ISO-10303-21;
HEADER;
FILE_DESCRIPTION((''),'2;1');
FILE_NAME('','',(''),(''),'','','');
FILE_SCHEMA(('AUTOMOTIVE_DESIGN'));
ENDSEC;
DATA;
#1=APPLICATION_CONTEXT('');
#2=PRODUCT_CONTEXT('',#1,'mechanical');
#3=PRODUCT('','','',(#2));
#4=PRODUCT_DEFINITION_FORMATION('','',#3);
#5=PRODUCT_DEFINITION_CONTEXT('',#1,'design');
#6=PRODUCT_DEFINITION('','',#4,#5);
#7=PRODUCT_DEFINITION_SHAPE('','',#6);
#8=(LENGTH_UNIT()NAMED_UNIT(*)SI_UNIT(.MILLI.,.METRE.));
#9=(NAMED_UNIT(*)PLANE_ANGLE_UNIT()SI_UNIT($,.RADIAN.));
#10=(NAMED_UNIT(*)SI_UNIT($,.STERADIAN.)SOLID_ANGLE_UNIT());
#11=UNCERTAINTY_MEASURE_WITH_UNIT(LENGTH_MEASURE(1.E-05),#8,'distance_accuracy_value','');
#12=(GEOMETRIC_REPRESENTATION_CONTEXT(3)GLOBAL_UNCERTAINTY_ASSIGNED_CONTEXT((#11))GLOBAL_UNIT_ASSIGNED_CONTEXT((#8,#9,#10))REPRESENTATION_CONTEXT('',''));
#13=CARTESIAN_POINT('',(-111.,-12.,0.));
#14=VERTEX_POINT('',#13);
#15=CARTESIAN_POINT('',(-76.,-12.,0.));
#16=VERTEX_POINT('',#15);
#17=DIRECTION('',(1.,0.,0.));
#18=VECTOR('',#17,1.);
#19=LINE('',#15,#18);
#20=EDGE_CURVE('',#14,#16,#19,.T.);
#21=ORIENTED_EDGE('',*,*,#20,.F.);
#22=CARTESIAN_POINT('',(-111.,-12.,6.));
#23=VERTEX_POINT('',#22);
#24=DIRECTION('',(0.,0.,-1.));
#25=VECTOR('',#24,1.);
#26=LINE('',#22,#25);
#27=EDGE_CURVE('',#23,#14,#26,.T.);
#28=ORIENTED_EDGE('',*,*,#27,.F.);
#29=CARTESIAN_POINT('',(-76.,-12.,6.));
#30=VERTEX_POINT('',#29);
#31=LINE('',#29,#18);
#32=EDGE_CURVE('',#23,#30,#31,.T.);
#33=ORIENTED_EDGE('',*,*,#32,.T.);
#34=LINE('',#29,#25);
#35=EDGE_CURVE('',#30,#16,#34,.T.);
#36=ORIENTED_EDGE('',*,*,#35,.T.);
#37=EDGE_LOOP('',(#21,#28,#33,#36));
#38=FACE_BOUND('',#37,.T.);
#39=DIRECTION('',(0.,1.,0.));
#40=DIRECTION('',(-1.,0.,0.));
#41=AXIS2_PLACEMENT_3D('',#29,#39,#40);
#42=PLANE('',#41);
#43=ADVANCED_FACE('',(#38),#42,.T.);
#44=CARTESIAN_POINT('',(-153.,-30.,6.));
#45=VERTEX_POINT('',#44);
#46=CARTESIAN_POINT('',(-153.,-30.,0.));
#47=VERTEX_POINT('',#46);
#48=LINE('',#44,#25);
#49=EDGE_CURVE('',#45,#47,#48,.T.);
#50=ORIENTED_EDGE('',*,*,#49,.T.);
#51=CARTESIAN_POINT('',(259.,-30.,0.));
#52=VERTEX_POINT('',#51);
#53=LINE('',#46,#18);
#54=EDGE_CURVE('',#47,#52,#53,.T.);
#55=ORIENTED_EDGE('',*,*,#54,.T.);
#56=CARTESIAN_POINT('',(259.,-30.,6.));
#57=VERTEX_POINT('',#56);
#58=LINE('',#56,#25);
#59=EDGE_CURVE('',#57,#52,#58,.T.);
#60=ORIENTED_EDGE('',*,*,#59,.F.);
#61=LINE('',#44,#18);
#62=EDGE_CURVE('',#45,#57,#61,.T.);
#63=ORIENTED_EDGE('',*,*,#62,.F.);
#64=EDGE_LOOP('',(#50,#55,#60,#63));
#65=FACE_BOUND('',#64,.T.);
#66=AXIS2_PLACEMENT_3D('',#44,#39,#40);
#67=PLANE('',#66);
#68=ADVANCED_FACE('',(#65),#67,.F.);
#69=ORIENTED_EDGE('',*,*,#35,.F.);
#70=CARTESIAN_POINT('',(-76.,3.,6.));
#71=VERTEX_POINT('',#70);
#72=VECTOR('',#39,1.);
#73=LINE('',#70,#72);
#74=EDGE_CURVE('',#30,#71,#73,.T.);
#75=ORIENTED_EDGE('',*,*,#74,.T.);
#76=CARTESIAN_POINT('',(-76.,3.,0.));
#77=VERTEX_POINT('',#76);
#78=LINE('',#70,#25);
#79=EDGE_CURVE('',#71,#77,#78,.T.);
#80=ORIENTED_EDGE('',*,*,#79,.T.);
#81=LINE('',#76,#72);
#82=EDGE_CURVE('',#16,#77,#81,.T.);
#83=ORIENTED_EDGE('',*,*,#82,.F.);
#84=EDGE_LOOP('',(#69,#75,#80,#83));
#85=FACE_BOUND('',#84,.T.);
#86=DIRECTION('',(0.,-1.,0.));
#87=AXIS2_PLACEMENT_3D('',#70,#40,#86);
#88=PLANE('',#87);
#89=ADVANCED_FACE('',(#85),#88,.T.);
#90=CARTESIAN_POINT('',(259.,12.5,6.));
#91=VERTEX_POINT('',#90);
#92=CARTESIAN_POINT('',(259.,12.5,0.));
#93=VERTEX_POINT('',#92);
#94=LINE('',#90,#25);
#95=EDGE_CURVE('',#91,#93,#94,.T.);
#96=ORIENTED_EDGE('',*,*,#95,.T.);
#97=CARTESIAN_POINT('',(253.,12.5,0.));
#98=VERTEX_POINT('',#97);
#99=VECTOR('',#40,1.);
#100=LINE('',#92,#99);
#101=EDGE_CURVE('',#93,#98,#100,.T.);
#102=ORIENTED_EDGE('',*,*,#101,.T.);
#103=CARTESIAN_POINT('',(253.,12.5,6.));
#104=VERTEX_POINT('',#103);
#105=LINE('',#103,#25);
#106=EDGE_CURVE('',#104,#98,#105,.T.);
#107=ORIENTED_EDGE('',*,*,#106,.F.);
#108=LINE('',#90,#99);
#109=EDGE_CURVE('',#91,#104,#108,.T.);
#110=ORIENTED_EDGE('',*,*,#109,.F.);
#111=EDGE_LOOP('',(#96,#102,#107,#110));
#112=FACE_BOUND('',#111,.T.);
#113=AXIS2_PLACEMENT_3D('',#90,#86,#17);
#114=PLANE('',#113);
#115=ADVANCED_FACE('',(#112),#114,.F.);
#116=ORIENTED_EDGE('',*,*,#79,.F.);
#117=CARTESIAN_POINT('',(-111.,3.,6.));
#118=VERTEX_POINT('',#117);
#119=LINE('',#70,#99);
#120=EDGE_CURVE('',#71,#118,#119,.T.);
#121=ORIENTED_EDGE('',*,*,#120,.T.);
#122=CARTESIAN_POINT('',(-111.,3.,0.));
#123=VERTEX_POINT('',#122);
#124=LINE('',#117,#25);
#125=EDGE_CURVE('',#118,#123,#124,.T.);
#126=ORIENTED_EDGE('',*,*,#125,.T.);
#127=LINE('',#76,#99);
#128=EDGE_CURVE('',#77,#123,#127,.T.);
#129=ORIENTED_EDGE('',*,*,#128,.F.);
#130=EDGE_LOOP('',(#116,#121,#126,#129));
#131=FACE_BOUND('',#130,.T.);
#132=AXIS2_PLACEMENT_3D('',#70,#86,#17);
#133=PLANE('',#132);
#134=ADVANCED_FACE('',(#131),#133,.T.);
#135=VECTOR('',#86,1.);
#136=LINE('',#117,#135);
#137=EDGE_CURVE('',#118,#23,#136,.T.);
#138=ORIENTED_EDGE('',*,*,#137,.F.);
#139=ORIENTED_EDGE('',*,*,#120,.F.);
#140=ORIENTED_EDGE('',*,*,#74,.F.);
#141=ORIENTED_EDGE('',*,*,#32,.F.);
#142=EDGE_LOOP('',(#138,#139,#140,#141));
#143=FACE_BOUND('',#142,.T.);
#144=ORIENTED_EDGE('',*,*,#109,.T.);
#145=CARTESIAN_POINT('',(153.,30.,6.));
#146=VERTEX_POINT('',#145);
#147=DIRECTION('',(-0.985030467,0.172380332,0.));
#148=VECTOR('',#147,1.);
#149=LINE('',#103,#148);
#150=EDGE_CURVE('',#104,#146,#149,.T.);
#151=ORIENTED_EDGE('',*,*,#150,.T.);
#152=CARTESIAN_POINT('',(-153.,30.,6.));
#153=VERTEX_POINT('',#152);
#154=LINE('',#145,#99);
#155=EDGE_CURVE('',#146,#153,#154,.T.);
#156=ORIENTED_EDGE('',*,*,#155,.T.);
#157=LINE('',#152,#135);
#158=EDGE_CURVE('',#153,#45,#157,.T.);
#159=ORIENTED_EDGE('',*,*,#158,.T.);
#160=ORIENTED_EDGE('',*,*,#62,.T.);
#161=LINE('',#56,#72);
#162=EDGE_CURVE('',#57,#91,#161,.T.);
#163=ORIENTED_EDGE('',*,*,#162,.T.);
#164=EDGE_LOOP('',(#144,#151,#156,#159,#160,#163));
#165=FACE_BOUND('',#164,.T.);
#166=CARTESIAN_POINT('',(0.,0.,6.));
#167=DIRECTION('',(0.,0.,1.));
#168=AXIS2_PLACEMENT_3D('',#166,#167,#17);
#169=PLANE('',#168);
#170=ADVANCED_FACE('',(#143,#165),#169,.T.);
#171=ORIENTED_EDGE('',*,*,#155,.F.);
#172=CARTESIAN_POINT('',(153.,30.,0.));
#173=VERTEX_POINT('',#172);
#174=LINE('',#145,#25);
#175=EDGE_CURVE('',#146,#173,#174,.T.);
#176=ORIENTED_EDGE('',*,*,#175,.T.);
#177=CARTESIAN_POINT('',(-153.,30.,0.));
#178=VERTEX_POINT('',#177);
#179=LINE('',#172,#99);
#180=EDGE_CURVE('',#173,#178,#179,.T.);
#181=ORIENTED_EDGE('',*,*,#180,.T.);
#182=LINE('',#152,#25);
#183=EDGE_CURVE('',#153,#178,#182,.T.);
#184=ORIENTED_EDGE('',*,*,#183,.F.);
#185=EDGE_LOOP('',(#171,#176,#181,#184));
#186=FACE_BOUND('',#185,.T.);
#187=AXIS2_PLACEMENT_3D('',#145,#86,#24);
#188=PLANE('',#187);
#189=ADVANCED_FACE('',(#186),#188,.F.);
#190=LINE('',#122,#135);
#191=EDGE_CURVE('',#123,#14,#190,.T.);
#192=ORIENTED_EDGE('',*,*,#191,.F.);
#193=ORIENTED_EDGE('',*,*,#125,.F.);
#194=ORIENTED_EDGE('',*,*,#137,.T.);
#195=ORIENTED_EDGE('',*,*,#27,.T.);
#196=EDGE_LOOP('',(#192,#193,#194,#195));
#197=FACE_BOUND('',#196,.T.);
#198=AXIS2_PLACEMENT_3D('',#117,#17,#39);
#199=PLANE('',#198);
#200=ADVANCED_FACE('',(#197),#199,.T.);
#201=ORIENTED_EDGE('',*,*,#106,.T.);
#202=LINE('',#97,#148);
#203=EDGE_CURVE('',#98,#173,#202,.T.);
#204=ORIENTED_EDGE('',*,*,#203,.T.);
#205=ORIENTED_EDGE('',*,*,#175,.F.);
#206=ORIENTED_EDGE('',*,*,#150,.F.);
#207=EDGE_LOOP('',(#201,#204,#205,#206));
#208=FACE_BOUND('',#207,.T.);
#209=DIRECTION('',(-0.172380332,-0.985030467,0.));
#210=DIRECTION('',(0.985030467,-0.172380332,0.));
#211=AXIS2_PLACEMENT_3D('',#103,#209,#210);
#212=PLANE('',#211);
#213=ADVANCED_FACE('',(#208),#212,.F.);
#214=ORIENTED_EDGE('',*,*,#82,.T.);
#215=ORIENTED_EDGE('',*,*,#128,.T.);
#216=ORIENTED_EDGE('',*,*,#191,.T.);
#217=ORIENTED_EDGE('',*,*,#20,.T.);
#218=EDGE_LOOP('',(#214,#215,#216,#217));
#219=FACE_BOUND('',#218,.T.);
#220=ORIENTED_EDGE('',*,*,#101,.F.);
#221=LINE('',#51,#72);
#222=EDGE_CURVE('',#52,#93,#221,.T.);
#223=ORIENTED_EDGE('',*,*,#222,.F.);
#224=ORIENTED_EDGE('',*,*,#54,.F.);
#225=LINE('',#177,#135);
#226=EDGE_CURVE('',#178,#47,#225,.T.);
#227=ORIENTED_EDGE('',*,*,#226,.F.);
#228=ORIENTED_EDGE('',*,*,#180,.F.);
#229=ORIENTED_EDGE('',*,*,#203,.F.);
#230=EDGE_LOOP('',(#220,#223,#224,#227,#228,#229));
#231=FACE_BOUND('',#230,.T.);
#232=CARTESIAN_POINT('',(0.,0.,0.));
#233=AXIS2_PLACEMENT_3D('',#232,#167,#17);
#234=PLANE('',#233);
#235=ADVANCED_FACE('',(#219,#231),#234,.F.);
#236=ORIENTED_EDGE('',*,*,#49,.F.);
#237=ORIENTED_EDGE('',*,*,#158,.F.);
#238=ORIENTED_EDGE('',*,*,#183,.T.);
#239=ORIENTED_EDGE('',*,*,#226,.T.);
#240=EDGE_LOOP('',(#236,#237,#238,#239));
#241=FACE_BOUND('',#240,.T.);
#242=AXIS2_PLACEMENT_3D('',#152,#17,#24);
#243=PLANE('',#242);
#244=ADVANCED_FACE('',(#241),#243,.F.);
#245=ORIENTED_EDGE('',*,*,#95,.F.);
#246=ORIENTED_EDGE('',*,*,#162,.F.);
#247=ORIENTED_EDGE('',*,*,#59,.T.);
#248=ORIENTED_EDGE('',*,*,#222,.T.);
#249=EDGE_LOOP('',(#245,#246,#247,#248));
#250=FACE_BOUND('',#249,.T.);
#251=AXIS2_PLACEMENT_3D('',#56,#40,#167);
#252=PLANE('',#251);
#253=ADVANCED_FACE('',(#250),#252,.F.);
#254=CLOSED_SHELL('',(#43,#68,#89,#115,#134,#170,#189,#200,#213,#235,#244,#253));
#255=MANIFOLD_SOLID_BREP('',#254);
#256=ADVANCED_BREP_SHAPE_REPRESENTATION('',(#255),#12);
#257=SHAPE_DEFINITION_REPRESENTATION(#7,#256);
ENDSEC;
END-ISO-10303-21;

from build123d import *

# Parameters (mm, degrees)
SKETCH1_W           = 35
SKETCH1_H           = 15
BOSS_EXTRUDE1_DEPTH = 6


with BuildPart() as part:
    # Sketch1 → Boss-Extrude1 (new body)
    with BuildSketch(Plane.XY):
        Polygon((-153, 30), (-153, -30), (259, -30), (259, 12.5), (253, 12.5), (153, 30), align=None)
        with Locations((-93.5, -4.5)):
            Rectangle(SKETCH1_W, SKETCH1_H, mode=Mode.SUBTRACT)
    extrude(amount=BOSS_EXTRUDE1_DEPTH)


solid = part.part
